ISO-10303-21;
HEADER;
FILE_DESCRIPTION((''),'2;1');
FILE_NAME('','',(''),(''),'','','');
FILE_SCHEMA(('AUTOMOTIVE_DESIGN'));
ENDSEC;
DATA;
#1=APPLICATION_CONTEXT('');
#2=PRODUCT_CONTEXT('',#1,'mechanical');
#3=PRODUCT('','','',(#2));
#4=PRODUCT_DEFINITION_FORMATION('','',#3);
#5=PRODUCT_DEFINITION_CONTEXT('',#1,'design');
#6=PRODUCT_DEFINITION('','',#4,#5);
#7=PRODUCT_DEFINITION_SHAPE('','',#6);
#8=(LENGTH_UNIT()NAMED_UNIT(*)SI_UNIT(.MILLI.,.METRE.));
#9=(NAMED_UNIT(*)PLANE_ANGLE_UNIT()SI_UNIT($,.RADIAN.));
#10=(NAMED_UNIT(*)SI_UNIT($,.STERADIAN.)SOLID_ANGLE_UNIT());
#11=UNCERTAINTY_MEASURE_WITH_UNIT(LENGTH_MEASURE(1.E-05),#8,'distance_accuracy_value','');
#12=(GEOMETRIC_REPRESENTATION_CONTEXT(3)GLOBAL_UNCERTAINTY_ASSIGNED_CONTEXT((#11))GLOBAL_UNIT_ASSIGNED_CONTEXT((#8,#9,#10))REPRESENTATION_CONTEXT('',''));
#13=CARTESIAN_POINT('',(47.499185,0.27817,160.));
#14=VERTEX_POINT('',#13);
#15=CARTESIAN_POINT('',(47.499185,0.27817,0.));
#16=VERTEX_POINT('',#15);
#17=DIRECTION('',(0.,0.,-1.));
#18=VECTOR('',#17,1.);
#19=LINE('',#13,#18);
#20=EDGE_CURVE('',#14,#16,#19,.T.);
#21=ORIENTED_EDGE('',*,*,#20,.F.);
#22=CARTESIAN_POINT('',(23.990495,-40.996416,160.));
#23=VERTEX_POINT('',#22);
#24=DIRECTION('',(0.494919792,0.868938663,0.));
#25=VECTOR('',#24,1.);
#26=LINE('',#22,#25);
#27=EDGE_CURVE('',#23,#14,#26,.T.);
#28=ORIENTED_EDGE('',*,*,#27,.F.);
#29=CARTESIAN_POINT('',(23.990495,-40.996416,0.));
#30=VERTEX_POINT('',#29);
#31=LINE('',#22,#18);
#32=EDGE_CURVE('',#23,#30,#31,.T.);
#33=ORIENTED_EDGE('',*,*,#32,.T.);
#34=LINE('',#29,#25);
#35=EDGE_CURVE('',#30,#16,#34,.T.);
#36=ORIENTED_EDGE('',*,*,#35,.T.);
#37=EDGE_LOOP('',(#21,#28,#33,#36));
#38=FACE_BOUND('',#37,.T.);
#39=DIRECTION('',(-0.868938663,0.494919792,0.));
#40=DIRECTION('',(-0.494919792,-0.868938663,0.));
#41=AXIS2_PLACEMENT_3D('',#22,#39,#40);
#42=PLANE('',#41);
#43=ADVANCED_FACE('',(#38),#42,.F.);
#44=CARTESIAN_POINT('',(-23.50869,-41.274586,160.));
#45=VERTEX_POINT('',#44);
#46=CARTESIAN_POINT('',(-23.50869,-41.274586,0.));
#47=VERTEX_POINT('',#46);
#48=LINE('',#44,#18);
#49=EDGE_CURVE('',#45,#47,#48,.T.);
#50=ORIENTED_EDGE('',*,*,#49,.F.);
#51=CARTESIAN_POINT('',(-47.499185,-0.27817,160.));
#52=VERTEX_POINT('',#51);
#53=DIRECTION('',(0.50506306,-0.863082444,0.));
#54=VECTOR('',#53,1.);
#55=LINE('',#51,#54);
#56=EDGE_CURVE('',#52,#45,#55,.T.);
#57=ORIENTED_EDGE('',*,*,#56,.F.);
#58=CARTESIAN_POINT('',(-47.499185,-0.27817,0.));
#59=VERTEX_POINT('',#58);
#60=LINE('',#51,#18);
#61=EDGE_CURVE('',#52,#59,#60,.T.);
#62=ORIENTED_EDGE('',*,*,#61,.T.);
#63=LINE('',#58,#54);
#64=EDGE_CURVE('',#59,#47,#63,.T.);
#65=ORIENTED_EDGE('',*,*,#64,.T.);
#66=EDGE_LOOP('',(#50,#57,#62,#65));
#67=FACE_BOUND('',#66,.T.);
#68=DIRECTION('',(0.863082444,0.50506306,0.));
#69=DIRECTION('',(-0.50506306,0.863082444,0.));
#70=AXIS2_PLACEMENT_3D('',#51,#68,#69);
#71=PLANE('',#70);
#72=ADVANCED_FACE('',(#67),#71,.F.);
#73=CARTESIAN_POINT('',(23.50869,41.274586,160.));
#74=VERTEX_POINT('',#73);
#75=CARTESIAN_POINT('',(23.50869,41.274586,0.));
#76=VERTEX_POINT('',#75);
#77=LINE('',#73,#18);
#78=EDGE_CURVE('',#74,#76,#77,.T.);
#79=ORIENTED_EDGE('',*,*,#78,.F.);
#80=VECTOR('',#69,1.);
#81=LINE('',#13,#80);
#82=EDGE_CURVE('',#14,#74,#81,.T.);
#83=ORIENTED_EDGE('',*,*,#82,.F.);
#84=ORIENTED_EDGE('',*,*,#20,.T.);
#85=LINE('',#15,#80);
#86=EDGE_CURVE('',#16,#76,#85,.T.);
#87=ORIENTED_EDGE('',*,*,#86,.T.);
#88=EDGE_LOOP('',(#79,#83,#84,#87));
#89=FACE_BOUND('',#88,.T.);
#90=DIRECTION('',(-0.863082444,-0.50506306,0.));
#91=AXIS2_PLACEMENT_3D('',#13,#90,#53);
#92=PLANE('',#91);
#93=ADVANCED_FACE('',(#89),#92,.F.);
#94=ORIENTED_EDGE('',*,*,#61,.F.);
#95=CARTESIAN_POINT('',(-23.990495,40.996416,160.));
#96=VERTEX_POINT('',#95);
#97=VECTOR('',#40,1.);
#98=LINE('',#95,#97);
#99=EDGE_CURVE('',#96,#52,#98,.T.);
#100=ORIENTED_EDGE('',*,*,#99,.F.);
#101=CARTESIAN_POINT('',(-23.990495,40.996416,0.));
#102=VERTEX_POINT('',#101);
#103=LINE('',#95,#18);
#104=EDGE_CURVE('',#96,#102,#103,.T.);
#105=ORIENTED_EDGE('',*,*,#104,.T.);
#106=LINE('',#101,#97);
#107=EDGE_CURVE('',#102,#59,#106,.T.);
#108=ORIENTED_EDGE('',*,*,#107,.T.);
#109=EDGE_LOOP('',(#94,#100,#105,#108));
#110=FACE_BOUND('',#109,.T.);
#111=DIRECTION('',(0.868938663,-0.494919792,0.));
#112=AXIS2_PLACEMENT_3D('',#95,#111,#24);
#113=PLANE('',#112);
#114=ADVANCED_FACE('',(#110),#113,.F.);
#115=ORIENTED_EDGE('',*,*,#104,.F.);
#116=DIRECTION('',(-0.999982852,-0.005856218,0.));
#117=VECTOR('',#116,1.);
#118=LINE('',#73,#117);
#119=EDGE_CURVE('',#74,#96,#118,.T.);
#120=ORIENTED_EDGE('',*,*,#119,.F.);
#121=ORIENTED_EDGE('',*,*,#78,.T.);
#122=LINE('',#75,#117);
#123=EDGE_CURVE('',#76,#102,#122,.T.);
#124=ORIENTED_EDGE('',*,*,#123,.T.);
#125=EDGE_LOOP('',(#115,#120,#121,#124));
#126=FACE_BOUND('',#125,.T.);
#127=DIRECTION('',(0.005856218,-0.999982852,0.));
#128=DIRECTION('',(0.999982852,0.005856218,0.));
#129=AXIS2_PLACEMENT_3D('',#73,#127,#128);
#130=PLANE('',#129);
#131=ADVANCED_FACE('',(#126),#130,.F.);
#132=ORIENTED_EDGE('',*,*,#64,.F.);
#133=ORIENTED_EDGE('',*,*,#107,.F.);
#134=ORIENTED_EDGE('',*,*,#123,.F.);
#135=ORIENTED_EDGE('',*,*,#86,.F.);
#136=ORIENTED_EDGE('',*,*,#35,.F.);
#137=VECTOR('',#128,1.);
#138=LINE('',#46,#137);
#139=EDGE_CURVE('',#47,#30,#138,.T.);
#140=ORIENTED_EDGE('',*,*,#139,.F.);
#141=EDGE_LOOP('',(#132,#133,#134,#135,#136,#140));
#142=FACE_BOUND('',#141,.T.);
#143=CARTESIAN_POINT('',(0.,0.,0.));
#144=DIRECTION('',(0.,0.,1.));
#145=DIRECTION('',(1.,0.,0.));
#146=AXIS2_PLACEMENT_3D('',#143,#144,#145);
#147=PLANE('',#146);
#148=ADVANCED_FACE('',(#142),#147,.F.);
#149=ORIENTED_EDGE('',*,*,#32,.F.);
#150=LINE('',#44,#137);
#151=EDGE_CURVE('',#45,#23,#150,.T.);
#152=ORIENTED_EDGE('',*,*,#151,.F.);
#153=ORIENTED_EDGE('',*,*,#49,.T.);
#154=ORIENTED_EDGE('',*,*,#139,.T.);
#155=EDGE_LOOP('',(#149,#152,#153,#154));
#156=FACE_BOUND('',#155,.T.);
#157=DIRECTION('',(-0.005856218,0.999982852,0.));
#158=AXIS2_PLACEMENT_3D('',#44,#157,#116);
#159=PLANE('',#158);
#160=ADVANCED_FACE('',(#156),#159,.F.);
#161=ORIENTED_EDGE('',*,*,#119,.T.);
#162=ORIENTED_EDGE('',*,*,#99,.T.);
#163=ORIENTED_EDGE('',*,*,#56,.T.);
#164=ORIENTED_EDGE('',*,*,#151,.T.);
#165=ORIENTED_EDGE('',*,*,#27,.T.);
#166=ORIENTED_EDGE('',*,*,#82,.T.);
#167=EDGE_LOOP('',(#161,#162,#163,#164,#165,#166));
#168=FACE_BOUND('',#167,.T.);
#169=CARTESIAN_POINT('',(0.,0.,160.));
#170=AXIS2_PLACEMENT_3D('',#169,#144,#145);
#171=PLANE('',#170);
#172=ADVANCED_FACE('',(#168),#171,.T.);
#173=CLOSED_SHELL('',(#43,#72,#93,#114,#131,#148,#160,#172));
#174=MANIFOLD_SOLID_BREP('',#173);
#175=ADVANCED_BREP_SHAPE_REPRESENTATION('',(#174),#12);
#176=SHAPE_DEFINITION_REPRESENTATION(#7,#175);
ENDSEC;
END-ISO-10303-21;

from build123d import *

# Parameters (mm, degrees)
ESTRUSIONE_ESTRUSIONE1_DEPTH = 160


with BuildPart() as part:
    # Schizzo1 → Estrusione-Estrusione1 (new body)
    with BuildSketch(Plane.XY):
        Polygon((-23.990495347, 40.996416099), (-47.49918548, -0.27817037), (-23.508690133, -41.27458647), (23.990495347, -40.996416099), (47.49918548, 0.27817037), (23.508690133, 41.27458647), align=None)
    extrude(amount=ESTRUSIONE_ESTRUSIONE1_DEPTH)


solid = part.part
